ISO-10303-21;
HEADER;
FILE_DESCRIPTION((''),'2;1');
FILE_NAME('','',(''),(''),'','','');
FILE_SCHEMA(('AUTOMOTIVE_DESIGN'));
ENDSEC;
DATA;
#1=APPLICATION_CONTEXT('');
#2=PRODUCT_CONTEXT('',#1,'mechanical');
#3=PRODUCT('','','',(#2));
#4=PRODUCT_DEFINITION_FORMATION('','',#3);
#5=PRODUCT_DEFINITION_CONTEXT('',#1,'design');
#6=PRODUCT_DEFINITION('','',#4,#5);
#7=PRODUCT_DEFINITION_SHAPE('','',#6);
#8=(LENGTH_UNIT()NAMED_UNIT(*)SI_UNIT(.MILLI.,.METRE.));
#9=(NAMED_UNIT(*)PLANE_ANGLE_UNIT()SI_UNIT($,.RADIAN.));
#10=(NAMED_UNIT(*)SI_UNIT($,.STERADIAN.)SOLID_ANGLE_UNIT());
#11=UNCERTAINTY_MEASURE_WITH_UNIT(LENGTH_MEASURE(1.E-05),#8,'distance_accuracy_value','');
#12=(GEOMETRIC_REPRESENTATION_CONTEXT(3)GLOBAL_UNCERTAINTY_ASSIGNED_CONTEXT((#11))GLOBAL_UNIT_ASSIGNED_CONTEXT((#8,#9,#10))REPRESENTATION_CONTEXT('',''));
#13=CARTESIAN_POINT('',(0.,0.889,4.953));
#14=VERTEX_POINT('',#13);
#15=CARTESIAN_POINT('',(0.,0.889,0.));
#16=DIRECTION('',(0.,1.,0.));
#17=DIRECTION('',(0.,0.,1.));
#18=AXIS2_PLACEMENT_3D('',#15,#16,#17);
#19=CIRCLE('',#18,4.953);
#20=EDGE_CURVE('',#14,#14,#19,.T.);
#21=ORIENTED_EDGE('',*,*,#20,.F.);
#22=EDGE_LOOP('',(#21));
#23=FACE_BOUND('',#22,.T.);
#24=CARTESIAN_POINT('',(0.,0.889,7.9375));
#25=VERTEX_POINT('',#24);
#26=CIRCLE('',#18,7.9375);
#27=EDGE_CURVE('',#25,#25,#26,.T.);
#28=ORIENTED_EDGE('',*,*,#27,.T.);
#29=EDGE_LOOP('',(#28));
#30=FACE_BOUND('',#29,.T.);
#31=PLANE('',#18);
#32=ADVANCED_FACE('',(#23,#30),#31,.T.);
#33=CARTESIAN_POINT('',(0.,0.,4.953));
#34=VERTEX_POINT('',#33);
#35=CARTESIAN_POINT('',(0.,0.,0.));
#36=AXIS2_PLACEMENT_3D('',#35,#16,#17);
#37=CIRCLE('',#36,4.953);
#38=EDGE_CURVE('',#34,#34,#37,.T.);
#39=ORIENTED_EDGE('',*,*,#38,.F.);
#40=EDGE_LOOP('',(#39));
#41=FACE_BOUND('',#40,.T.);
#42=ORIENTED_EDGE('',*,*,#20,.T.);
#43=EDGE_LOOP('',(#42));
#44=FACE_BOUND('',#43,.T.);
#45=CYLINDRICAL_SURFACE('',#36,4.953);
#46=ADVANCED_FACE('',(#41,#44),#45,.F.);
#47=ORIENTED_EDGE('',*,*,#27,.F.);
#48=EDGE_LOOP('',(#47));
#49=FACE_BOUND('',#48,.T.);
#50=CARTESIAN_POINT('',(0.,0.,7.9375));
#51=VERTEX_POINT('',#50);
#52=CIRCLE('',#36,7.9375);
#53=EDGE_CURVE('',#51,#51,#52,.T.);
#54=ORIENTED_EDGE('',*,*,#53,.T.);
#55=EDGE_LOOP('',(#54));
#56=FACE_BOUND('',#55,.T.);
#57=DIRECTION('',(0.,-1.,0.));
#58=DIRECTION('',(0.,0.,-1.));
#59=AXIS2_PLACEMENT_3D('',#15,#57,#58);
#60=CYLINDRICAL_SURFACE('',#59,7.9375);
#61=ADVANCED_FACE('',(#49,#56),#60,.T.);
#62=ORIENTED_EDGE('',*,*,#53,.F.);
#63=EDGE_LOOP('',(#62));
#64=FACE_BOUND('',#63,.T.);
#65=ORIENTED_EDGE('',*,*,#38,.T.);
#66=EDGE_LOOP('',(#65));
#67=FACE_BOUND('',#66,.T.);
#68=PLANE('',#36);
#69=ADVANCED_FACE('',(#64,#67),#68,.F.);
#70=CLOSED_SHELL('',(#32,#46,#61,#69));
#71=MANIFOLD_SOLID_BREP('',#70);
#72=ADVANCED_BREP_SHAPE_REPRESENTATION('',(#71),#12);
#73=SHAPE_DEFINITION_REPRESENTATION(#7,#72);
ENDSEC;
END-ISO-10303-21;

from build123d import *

# Parameters (mm, degrees)
SKETCH1_R           = 7.9375
BOSS_EXTRUDE1_DEPTH = 0.889
SKETCH5_R           = 4.953
CUT_EXTRUDE1_DEPTH  = 1.889


with BuildPart() as part:
    # Sketch1 → Boss-Extrude1 (new body)
    with BuildSketch(Plane(origin=(0, 0, 0), x_dir=(1, 0, 0), z_dir=(0, 1, 0))):
        Circle(SKETCH1_R)
    extrude(amount=BOSS_EXTRUDE1_DEPTH)

    # Sketch5 → Cut-Extrude1 (cut, through all)
    with BuildSketch(Plane(origin=(0, 0.889, 0), x_dir=(-1, 0, 0), z_dir=(0, 1, 0))):
        Circle(SKETCH5_R)
    extrude(amount=-CUT_EXTRUDE1_DEPTH, mode=Mode.SUBTRACT)


solid = part.part
